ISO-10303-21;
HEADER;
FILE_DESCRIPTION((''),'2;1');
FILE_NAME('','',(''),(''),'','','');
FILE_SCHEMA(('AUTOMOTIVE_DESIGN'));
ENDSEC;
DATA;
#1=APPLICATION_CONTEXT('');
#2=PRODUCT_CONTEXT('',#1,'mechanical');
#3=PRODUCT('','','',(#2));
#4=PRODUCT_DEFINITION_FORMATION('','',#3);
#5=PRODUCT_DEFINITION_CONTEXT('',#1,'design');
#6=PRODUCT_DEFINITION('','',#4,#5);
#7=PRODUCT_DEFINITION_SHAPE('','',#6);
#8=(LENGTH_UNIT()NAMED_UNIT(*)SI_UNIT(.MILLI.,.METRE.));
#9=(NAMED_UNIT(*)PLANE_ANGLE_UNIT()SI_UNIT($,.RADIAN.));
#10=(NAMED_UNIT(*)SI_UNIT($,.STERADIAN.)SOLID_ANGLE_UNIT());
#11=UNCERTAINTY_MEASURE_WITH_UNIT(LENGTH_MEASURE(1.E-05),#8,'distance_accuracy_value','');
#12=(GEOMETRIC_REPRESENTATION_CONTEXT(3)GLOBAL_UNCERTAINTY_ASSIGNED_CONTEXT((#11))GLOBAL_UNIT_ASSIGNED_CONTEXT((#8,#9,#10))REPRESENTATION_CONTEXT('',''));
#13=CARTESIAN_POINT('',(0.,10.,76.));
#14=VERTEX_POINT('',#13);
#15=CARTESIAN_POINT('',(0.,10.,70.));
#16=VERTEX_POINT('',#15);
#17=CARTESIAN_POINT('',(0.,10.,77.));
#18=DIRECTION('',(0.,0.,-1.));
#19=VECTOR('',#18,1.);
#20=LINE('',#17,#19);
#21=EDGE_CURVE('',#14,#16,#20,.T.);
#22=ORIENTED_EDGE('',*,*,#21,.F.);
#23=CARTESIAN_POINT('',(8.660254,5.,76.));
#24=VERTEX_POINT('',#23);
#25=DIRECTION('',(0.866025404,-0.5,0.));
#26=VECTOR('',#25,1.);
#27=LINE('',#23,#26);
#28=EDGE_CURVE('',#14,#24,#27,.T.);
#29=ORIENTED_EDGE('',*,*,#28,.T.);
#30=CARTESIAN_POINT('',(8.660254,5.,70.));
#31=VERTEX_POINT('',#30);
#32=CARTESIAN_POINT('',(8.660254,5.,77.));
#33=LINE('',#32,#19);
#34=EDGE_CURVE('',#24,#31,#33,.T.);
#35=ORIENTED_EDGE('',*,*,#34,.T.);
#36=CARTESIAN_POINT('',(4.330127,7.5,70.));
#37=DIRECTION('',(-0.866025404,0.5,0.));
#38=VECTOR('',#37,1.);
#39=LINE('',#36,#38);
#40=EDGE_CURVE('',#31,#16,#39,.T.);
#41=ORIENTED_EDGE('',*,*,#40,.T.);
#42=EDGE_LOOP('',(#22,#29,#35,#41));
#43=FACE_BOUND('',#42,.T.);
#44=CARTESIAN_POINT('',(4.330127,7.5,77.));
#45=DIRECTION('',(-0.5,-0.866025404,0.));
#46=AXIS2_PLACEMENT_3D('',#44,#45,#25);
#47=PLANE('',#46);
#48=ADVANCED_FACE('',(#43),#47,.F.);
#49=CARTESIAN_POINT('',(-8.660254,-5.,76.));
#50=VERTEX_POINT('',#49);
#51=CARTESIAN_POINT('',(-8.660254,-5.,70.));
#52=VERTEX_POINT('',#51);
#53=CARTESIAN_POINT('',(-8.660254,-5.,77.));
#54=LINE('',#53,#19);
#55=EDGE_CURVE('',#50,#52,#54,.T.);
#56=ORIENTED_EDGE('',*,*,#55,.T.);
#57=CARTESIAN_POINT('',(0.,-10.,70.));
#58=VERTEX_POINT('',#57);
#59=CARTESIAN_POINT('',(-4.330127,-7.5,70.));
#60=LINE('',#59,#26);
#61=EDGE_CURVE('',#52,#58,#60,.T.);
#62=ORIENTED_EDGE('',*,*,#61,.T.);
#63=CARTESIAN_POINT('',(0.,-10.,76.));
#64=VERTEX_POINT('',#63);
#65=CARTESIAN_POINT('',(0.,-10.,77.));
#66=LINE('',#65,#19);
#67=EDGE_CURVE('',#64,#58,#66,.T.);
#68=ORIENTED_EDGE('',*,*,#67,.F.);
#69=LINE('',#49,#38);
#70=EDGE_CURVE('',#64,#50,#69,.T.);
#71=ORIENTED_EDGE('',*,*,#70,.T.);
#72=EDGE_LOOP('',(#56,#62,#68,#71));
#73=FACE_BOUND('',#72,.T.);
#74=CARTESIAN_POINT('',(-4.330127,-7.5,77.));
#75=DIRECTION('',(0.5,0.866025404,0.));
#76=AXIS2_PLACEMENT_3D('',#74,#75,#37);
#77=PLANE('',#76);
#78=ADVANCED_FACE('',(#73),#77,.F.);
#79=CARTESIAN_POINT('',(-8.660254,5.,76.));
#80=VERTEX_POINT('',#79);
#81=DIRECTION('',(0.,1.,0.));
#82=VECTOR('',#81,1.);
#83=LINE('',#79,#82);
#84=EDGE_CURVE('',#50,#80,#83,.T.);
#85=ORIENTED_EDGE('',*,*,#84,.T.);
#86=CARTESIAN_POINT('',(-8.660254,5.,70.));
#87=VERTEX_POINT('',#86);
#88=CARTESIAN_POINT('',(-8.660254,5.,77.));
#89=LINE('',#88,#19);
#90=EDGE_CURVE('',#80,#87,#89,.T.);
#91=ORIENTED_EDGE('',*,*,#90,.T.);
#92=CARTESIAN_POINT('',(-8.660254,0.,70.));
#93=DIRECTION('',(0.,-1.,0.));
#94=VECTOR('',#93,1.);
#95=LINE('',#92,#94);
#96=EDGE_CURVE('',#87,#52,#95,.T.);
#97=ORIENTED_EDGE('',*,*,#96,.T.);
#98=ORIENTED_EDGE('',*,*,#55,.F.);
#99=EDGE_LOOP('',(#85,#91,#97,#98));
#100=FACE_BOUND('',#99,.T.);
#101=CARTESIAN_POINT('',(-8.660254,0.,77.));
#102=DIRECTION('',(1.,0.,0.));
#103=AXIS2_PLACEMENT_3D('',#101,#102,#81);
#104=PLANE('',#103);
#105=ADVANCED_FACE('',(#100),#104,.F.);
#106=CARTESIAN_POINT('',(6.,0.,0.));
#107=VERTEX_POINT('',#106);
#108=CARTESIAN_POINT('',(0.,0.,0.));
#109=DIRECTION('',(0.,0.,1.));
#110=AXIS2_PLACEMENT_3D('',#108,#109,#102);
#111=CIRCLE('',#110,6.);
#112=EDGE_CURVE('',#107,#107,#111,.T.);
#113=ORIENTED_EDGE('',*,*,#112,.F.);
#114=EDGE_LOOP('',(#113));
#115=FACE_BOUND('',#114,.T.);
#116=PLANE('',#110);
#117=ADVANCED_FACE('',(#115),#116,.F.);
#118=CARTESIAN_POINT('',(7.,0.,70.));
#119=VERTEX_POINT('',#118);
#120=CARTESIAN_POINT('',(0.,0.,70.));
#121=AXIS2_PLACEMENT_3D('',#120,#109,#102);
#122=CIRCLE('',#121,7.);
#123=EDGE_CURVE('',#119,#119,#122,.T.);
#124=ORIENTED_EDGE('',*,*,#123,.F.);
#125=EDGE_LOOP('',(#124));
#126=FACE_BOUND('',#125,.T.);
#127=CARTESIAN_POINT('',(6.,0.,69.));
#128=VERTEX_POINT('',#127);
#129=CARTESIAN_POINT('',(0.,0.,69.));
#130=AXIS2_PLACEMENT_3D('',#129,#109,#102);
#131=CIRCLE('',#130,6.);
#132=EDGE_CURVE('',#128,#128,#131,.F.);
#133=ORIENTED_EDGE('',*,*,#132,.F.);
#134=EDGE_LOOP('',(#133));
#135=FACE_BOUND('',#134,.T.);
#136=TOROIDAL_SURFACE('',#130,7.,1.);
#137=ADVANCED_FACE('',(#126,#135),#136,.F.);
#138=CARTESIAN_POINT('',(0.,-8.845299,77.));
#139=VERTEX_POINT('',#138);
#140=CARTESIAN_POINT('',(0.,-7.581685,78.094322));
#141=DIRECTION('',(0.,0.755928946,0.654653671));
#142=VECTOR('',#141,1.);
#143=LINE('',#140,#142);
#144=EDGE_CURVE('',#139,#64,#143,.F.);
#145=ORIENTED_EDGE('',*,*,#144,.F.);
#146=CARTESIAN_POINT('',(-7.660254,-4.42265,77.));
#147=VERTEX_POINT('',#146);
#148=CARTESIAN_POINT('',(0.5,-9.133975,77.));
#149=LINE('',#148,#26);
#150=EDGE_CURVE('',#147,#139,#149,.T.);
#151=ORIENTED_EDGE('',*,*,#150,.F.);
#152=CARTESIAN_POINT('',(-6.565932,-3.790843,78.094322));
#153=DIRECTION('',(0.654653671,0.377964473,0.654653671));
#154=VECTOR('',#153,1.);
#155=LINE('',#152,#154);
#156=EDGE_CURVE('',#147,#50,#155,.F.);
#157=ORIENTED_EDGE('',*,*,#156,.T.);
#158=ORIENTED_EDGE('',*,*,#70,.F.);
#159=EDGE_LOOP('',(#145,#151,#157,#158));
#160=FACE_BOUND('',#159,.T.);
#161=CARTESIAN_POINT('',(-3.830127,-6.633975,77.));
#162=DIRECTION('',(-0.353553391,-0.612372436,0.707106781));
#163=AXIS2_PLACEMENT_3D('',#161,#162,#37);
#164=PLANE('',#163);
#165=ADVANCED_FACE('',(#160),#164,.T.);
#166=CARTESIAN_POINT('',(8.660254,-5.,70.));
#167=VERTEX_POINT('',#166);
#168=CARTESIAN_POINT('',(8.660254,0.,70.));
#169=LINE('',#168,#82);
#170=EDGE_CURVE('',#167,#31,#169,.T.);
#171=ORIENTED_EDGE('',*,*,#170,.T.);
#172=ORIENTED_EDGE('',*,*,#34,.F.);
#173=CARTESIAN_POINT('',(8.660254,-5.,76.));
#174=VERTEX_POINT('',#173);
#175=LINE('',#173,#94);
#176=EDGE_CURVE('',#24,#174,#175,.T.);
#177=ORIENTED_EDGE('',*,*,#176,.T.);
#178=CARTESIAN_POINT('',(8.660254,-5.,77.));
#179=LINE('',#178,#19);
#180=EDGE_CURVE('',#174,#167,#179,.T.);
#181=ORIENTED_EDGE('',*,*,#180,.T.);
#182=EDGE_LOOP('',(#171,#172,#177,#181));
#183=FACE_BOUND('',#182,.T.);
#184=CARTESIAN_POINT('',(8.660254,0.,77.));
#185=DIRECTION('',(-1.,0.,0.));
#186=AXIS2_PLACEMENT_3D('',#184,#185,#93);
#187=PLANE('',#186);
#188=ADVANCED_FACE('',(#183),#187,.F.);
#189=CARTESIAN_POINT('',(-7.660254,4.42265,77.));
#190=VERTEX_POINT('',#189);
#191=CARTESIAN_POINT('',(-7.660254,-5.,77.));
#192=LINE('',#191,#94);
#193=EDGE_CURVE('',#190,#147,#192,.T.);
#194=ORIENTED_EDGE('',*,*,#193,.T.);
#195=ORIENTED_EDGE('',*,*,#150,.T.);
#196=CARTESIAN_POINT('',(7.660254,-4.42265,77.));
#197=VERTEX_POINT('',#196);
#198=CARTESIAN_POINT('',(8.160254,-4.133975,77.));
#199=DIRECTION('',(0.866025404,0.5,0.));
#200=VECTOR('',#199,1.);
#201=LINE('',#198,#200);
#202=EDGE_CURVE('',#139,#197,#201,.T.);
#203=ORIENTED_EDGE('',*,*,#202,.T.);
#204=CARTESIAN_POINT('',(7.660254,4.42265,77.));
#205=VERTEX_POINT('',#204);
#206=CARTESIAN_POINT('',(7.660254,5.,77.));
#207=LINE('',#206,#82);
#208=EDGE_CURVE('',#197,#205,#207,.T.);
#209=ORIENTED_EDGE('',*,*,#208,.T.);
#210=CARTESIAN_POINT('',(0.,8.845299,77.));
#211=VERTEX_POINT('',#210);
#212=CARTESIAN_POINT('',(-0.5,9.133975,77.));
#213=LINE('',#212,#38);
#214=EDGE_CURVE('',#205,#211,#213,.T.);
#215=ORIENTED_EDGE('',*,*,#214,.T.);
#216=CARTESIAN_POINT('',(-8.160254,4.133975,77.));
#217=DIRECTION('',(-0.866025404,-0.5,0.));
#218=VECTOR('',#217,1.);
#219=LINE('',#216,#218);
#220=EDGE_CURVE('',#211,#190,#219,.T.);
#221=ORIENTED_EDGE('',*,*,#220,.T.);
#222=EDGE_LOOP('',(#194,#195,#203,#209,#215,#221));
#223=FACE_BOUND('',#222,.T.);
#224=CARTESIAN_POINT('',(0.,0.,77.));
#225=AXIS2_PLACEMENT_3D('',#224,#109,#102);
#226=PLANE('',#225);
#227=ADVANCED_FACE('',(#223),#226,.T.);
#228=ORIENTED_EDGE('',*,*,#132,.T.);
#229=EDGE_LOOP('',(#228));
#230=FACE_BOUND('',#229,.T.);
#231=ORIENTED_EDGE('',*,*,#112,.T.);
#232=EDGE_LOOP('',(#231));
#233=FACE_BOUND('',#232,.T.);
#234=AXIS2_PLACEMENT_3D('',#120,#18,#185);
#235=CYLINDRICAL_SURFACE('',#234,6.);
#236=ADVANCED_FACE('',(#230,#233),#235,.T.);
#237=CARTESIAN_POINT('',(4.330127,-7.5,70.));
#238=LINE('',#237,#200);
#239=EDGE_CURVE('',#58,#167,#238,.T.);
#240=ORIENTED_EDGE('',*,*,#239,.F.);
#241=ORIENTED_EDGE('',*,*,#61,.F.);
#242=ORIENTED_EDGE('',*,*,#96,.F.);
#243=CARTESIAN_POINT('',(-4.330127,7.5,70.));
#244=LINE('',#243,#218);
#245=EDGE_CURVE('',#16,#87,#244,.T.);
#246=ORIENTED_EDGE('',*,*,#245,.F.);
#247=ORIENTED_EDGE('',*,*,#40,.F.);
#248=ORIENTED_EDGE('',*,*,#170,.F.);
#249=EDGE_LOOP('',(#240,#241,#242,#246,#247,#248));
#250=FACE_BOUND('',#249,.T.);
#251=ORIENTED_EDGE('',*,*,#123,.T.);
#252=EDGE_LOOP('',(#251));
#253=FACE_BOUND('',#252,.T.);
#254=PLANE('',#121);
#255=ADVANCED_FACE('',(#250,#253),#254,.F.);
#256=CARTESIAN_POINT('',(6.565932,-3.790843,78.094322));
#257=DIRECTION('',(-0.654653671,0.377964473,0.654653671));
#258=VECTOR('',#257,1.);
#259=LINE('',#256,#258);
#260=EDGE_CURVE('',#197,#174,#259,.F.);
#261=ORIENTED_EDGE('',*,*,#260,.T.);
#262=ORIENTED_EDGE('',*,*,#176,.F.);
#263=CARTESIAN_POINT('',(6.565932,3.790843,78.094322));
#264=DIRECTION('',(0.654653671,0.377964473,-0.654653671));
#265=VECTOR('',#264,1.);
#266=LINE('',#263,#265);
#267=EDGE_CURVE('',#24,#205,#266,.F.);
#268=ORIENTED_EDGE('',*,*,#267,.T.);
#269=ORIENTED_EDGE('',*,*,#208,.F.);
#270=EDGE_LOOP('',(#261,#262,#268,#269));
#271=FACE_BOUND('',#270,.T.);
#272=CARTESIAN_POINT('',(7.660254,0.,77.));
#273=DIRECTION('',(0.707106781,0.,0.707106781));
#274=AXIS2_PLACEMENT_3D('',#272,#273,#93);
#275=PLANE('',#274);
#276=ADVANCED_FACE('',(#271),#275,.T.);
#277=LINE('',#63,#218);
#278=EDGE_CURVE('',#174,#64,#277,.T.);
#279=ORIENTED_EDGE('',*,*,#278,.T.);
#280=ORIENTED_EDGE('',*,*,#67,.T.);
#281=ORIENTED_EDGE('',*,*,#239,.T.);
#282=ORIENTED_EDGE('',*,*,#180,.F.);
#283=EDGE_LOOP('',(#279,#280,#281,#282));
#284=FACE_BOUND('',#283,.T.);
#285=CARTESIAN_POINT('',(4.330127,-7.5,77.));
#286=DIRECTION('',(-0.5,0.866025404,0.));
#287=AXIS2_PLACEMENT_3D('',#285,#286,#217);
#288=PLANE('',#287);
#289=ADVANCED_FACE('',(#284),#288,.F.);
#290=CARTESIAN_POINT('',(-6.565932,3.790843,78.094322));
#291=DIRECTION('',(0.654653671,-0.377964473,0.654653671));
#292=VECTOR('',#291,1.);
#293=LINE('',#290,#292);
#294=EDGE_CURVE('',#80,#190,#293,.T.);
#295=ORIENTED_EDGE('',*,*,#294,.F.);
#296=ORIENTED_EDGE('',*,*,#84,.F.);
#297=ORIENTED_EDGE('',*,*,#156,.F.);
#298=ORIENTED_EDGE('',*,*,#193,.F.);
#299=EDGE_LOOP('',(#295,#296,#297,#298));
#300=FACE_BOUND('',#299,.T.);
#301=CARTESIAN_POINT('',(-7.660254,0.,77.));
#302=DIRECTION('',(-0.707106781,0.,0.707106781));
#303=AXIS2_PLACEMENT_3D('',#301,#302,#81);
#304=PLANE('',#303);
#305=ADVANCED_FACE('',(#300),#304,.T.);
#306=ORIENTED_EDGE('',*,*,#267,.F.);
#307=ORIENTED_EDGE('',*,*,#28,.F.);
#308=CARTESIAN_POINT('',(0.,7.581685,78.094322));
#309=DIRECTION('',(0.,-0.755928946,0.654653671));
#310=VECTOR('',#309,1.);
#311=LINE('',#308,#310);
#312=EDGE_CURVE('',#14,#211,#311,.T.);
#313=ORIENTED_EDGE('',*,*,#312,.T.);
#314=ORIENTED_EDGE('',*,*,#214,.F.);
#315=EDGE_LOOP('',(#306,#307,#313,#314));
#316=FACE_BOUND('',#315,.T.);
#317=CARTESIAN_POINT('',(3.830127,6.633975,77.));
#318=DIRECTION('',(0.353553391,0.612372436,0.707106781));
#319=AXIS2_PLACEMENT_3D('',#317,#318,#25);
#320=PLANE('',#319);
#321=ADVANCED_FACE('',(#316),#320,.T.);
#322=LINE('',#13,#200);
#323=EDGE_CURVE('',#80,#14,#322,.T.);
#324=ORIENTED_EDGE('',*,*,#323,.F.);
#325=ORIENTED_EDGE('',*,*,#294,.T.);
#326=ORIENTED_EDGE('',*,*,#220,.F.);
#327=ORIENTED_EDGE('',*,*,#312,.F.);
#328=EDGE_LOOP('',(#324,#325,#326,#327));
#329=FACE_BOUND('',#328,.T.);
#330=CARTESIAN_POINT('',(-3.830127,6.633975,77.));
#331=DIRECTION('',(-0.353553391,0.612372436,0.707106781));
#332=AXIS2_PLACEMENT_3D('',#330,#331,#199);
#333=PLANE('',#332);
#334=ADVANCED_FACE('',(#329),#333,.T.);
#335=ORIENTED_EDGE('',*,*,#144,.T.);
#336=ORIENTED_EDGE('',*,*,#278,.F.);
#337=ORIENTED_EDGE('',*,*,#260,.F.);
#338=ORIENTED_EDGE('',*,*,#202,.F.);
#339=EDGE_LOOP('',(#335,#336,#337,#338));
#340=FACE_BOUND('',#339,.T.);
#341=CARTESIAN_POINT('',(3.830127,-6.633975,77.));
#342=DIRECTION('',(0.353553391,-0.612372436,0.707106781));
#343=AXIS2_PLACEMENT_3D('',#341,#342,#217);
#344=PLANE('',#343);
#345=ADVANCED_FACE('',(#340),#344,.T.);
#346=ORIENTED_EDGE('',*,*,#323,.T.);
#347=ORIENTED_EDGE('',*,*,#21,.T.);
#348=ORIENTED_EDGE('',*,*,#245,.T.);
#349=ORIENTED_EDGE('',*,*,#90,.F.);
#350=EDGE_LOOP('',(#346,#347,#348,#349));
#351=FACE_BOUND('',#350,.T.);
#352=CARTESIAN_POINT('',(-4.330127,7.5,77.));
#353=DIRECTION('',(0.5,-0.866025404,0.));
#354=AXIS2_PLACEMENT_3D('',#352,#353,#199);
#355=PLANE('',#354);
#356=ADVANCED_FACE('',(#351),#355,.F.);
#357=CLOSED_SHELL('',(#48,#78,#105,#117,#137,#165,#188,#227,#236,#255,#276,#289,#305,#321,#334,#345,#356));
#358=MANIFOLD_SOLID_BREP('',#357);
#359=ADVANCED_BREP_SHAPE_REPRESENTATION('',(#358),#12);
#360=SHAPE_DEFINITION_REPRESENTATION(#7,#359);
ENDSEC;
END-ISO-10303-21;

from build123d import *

# Parameters (mm, degrees)
CROQUIS1_R              = 6
SALIENTE_EXTRUIR3_DEPTH = 70
SALIENTE_EXTRUIR4_DEPTH = 7
CHAFL_N1_SIZE           = 1
REDONDEO1_R             = 1


with BuildPart() as part:
    # Croquis1 → Saliente-Extruir3 (new body)
    with BuildSketch(Plane.XY):
        Circle(CROQUIS1_R)
    extrude(amount=SALIENTE_EXTRUIR3_DEPTH)

    # Croquis3 → Saliente-Extruir4 (add)
    with BuildSketch(Plane.XY.offset(70)):
        Polygon((0, 10), (-8.660254038, 5), (-8.660254038, -5), (0, -10), (8.660254038, -5), (8.660254038, 5), align=None)
    extrude(amount=SALIENTE_EXTRUIR4_DEPTH)

    # Chaflán1
    chafl_n1_edges = [part.edges().sort_by_distance(p)[0] for p in [
        (8.660254038, 0, 77),
        (4.330127019, 7.5, 77),
        (-4.330127019, 7.5, 77),
        (-8.660254038, 0, 77),
        (-4.330127019, -7.5, 77),
        (4.330127019, -7.5, 77),
    ]]
    chamfer(chafl_n1_edges, length=CHAFL_N1_SIZE)

    # Redondeo1
    redondeo1_edges = [part.edges().sort_by_distance(p)[0] for p in [
        (-6, 0, 70),
    ]]
    fillet(redondeo1_edges, radius=REDONDEO1_R)


solid = part.part
